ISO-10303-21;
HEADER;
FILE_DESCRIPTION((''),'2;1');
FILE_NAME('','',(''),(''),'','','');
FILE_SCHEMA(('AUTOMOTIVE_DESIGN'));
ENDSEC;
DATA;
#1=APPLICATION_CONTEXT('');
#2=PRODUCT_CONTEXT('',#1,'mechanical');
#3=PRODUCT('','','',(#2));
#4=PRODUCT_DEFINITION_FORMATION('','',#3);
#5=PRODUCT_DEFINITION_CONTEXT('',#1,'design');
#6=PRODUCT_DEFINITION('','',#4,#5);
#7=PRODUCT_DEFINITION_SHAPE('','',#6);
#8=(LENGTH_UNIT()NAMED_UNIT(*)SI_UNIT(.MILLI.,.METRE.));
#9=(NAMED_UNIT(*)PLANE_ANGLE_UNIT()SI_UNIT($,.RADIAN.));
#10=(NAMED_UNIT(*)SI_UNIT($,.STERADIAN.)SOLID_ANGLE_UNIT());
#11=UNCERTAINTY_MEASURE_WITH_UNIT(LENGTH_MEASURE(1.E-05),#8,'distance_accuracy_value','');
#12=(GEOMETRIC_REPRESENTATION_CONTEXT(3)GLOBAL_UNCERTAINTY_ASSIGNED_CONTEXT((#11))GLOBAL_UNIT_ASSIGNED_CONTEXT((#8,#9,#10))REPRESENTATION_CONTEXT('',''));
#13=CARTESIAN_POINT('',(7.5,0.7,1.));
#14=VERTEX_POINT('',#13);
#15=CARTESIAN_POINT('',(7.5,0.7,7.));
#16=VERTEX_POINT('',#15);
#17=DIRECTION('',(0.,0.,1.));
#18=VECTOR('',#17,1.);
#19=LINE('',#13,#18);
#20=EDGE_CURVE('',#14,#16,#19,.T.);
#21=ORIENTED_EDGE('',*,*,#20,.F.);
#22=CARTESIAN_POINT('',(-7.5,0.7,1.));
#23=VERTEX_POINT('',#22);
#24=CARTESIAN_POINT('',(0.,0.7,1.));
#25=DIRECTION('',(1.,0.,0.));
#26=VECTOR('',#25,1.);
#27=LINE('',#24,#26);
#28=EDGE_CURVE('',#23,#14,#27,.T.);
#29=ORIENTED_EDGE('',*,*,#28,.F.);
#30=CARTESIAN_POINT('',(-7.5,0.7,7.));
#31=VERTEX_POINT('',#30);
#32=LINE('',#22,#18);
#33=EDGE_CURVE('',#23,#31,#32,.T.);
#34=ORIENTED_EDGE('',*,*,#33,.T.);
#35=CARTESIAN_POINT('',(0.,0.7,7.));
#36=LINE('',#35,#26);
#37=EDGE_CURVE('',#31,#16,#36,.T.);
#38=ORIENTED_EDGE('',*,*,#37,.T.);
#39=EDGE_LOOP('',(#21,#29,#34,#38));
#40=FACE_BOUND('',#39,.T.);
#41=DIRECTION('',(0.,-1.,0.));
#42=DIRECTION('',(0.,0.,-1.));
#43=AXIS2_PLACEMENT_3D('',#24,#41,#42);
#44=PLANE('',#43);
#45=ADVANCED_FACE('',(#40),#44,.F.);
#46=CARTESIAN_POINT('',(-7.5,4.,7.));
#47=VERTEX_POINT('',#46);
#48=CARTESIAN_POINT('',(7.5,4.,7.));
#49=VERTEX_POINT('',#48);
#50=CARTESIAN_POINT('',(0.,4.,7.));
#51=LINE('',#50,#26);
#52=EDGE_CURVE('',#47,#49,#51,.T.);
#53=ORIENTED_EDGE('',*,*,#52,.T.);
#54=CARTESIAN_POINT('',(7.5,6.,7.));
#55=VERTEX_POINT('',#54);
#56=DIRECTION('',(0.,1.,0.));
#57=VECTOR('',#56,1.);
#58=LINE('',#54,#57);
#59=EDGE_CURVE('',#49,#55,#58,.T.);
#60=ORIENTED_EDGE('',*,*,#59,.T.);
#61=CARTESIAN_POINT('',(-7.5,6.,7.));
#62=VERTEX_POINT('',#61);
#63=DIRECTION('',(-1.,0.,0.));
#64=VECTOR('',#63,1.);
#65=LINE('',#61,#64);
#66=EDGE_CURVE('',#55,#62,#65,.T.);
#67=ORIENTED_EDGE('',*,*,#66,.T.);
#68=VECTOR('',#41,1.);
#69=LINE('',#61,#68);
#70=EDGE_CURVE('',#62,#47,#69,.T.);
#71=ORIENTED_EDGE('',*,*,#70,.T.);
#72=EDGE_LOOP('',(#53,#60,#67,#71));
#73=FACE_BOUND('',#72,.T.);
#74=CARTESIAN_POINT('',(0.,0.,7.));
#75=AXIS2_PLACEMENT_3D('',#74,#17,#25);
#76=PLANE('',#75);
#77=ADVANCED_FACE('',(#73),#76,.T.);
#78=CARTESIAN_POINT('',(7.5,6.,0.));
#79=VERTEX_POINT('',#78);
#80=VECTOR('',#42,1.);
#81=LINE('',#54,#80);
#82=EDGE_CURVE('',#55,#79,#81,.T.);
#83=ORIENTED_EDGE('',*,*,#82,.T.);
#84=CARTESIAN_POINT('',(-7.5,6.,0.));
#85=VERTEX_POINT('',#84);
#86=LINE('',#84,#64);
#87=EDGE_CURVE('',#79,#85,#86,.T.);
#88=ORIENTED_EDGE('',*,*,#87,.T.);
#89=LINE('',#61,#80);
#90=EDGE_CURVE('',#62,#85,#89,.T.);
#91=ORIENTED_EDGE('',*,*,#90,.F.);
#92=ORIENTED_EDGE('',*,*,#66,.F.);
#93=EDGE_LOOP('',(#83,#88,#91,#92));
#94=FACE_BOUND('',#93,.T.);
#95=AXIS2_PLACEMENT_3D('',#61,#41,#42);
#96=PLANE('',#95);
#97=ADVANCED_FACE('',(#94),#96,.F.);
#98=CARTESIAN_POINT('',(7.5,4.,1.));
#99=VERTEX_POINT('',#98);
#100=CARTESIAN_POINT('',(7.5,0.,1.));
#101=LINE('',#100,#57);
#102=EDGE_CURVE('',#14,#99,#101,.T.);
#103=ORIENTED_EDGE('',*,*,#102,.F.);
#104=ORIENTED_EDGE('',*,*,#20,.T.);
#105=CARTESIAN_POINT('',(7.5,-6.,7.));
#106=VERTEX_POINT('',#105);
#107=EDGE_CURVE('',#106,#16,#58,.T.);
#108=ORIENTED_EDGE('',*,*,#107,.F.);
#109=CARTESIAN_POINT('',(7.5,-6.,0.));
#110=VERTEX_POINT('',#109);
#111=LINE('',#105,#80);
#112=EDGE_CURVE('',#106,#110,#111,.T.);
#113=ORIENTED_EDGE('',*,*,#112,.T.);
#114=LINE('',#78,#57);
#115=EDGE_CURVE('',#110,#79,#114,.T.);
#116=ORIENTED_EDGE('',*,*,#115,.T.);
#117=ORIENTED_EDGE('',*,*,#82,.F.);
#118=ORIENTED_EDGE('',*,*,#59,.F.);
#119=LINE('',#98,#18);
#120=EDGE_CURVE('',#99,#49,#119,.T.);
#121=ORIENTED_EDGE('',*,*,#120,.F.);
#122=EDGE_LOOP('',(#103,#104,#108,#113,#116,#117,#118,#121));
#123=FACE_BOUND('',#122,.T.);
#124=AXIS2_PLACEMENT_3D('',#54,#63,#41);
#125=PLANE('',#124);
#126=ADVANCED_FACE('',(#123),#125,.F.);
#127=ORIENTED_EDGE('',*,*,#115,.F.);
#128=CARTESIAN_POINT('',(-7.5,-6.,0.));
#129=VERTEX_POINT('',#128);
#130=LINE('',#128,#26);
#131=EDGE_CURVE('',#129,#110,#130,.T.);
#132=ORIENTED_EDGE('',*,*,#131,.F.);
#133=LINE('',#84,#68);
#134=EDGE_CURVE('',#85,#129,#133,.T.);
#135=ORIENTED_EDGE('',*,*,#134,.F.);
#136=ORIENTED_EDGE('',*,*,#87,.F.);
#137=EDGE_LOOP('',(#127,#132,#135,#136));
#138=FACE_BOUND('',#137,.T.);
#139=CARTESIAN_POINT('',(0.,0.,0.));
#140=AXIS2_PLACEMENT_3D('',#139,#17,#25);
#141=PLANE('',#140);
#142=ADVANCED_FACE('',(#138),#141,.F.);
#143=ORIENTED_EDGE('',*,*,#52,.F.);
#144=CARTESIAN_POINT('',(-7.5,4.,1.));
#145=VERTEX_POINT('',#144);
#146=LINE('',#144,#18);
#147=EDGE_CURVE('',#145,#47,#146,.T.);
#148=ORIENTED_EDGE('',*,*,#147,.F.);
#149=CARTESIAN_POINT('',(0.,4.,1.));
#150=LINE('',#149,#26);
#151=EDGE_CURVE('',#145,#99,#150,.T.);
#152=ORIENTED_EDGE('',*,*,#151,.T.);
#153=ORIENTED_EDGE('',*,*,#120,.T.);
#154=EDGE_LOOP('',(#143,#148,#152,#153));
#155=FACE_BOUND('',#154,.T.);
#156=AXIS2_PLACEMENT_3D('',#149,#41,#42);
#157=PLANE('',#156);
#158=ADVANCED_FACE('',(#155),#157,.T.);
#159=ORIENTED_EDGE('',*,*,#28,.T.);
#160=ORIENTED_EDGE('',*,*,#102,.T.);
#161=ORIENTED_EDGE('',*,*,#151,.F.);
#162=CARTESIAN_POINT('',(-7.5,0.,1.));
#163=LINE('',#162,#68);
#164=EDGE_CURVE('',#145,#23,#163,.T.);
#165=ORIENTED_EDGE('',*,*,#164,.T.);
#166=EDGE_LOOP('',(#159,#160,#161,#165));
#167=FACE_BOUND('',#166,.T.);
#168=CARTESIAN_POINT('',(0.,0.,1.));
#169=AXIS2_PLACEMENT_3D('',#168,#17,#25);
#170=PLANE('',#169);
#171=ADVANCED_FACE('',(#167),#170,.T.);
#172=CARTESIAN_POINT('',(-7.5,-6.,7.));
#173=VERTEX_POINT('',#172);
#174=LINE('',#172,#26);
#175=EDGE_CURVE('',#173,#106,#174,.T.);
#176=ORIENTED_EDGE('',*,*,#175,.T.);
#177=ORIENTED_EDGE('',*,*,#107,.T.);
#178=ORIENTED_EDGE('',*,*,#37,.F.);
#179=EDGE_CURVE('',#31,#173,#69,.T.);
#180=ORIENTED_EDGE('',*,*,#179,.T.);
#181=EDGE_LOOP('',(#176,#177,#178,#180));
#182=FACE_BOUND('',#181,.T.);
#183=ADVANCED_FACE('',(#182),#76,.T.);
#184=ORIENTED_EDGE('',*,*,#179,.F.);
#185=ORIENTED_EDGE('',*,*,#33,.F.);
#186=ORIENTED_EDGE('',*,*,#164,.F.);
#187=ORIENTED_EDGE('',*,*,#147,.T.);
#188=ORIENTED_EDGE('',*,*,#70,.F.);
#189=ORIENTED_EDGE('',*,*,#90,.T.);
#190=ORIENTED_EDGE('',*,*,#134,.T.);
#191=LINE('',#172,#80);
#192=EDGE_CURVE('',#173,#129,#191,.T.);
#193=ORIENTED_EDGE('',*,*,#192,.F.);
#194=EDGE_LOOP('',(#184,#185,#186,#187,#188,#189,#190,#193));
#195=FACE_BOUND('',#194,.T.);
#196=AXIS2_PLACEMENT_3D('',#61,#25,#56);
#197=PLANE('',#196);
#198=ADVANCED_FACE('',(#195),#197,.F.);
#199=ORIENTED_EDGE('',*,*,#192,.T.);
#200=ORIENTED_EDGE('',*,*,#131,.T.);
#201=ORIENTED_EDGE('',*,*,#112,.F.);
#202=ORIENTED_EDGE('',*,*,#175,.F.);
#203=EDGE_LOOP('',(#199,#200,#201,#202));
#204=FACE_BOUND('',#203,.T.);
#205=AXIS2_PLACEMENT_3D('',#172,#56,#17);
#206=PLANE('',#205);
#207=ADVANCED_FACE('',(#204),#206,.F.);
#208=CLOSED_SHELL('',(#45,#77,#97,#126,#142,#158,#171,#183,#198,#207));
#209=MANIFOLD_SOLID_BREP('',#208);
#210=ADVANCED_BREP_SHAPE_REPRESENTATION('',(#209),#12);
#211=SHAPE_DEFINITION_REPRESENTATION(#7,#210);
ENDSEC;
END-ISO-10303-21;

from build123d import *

# Parameters (mm, degrees)
SKETCH_1_W          = 15
SKETCH_1_H          = 12
EXTRUDE_1_DEPTH     = 7
SKETCH_2_W          = 15
SKETCH_2_H          = 3.3
CUT_EXTRUDE_1_DEPTH = 6


with BuildPart() as part:
    # 草图1 → 凸台-拉伸1 (new body)
    with BuildSketch(Plane.XY):
        Rectangle(SKETCH_1_W, SKETCH_1_H)
    extrude(amount=EXTRUDE_1_DEPTH)

    # 草图2 → 切除-拉伸1 (cut)
    with BuildSketch(Plane.XY.offset(7)):
        with Locations((0, 2.35)):
            Rectangle(SKETCH_2_W, SKETCH_2_H)
    extrude(amount=-CUT_EXTRUDE_1_DEPTH, mode=Mode.SUBTRACT)


solid = part.part
